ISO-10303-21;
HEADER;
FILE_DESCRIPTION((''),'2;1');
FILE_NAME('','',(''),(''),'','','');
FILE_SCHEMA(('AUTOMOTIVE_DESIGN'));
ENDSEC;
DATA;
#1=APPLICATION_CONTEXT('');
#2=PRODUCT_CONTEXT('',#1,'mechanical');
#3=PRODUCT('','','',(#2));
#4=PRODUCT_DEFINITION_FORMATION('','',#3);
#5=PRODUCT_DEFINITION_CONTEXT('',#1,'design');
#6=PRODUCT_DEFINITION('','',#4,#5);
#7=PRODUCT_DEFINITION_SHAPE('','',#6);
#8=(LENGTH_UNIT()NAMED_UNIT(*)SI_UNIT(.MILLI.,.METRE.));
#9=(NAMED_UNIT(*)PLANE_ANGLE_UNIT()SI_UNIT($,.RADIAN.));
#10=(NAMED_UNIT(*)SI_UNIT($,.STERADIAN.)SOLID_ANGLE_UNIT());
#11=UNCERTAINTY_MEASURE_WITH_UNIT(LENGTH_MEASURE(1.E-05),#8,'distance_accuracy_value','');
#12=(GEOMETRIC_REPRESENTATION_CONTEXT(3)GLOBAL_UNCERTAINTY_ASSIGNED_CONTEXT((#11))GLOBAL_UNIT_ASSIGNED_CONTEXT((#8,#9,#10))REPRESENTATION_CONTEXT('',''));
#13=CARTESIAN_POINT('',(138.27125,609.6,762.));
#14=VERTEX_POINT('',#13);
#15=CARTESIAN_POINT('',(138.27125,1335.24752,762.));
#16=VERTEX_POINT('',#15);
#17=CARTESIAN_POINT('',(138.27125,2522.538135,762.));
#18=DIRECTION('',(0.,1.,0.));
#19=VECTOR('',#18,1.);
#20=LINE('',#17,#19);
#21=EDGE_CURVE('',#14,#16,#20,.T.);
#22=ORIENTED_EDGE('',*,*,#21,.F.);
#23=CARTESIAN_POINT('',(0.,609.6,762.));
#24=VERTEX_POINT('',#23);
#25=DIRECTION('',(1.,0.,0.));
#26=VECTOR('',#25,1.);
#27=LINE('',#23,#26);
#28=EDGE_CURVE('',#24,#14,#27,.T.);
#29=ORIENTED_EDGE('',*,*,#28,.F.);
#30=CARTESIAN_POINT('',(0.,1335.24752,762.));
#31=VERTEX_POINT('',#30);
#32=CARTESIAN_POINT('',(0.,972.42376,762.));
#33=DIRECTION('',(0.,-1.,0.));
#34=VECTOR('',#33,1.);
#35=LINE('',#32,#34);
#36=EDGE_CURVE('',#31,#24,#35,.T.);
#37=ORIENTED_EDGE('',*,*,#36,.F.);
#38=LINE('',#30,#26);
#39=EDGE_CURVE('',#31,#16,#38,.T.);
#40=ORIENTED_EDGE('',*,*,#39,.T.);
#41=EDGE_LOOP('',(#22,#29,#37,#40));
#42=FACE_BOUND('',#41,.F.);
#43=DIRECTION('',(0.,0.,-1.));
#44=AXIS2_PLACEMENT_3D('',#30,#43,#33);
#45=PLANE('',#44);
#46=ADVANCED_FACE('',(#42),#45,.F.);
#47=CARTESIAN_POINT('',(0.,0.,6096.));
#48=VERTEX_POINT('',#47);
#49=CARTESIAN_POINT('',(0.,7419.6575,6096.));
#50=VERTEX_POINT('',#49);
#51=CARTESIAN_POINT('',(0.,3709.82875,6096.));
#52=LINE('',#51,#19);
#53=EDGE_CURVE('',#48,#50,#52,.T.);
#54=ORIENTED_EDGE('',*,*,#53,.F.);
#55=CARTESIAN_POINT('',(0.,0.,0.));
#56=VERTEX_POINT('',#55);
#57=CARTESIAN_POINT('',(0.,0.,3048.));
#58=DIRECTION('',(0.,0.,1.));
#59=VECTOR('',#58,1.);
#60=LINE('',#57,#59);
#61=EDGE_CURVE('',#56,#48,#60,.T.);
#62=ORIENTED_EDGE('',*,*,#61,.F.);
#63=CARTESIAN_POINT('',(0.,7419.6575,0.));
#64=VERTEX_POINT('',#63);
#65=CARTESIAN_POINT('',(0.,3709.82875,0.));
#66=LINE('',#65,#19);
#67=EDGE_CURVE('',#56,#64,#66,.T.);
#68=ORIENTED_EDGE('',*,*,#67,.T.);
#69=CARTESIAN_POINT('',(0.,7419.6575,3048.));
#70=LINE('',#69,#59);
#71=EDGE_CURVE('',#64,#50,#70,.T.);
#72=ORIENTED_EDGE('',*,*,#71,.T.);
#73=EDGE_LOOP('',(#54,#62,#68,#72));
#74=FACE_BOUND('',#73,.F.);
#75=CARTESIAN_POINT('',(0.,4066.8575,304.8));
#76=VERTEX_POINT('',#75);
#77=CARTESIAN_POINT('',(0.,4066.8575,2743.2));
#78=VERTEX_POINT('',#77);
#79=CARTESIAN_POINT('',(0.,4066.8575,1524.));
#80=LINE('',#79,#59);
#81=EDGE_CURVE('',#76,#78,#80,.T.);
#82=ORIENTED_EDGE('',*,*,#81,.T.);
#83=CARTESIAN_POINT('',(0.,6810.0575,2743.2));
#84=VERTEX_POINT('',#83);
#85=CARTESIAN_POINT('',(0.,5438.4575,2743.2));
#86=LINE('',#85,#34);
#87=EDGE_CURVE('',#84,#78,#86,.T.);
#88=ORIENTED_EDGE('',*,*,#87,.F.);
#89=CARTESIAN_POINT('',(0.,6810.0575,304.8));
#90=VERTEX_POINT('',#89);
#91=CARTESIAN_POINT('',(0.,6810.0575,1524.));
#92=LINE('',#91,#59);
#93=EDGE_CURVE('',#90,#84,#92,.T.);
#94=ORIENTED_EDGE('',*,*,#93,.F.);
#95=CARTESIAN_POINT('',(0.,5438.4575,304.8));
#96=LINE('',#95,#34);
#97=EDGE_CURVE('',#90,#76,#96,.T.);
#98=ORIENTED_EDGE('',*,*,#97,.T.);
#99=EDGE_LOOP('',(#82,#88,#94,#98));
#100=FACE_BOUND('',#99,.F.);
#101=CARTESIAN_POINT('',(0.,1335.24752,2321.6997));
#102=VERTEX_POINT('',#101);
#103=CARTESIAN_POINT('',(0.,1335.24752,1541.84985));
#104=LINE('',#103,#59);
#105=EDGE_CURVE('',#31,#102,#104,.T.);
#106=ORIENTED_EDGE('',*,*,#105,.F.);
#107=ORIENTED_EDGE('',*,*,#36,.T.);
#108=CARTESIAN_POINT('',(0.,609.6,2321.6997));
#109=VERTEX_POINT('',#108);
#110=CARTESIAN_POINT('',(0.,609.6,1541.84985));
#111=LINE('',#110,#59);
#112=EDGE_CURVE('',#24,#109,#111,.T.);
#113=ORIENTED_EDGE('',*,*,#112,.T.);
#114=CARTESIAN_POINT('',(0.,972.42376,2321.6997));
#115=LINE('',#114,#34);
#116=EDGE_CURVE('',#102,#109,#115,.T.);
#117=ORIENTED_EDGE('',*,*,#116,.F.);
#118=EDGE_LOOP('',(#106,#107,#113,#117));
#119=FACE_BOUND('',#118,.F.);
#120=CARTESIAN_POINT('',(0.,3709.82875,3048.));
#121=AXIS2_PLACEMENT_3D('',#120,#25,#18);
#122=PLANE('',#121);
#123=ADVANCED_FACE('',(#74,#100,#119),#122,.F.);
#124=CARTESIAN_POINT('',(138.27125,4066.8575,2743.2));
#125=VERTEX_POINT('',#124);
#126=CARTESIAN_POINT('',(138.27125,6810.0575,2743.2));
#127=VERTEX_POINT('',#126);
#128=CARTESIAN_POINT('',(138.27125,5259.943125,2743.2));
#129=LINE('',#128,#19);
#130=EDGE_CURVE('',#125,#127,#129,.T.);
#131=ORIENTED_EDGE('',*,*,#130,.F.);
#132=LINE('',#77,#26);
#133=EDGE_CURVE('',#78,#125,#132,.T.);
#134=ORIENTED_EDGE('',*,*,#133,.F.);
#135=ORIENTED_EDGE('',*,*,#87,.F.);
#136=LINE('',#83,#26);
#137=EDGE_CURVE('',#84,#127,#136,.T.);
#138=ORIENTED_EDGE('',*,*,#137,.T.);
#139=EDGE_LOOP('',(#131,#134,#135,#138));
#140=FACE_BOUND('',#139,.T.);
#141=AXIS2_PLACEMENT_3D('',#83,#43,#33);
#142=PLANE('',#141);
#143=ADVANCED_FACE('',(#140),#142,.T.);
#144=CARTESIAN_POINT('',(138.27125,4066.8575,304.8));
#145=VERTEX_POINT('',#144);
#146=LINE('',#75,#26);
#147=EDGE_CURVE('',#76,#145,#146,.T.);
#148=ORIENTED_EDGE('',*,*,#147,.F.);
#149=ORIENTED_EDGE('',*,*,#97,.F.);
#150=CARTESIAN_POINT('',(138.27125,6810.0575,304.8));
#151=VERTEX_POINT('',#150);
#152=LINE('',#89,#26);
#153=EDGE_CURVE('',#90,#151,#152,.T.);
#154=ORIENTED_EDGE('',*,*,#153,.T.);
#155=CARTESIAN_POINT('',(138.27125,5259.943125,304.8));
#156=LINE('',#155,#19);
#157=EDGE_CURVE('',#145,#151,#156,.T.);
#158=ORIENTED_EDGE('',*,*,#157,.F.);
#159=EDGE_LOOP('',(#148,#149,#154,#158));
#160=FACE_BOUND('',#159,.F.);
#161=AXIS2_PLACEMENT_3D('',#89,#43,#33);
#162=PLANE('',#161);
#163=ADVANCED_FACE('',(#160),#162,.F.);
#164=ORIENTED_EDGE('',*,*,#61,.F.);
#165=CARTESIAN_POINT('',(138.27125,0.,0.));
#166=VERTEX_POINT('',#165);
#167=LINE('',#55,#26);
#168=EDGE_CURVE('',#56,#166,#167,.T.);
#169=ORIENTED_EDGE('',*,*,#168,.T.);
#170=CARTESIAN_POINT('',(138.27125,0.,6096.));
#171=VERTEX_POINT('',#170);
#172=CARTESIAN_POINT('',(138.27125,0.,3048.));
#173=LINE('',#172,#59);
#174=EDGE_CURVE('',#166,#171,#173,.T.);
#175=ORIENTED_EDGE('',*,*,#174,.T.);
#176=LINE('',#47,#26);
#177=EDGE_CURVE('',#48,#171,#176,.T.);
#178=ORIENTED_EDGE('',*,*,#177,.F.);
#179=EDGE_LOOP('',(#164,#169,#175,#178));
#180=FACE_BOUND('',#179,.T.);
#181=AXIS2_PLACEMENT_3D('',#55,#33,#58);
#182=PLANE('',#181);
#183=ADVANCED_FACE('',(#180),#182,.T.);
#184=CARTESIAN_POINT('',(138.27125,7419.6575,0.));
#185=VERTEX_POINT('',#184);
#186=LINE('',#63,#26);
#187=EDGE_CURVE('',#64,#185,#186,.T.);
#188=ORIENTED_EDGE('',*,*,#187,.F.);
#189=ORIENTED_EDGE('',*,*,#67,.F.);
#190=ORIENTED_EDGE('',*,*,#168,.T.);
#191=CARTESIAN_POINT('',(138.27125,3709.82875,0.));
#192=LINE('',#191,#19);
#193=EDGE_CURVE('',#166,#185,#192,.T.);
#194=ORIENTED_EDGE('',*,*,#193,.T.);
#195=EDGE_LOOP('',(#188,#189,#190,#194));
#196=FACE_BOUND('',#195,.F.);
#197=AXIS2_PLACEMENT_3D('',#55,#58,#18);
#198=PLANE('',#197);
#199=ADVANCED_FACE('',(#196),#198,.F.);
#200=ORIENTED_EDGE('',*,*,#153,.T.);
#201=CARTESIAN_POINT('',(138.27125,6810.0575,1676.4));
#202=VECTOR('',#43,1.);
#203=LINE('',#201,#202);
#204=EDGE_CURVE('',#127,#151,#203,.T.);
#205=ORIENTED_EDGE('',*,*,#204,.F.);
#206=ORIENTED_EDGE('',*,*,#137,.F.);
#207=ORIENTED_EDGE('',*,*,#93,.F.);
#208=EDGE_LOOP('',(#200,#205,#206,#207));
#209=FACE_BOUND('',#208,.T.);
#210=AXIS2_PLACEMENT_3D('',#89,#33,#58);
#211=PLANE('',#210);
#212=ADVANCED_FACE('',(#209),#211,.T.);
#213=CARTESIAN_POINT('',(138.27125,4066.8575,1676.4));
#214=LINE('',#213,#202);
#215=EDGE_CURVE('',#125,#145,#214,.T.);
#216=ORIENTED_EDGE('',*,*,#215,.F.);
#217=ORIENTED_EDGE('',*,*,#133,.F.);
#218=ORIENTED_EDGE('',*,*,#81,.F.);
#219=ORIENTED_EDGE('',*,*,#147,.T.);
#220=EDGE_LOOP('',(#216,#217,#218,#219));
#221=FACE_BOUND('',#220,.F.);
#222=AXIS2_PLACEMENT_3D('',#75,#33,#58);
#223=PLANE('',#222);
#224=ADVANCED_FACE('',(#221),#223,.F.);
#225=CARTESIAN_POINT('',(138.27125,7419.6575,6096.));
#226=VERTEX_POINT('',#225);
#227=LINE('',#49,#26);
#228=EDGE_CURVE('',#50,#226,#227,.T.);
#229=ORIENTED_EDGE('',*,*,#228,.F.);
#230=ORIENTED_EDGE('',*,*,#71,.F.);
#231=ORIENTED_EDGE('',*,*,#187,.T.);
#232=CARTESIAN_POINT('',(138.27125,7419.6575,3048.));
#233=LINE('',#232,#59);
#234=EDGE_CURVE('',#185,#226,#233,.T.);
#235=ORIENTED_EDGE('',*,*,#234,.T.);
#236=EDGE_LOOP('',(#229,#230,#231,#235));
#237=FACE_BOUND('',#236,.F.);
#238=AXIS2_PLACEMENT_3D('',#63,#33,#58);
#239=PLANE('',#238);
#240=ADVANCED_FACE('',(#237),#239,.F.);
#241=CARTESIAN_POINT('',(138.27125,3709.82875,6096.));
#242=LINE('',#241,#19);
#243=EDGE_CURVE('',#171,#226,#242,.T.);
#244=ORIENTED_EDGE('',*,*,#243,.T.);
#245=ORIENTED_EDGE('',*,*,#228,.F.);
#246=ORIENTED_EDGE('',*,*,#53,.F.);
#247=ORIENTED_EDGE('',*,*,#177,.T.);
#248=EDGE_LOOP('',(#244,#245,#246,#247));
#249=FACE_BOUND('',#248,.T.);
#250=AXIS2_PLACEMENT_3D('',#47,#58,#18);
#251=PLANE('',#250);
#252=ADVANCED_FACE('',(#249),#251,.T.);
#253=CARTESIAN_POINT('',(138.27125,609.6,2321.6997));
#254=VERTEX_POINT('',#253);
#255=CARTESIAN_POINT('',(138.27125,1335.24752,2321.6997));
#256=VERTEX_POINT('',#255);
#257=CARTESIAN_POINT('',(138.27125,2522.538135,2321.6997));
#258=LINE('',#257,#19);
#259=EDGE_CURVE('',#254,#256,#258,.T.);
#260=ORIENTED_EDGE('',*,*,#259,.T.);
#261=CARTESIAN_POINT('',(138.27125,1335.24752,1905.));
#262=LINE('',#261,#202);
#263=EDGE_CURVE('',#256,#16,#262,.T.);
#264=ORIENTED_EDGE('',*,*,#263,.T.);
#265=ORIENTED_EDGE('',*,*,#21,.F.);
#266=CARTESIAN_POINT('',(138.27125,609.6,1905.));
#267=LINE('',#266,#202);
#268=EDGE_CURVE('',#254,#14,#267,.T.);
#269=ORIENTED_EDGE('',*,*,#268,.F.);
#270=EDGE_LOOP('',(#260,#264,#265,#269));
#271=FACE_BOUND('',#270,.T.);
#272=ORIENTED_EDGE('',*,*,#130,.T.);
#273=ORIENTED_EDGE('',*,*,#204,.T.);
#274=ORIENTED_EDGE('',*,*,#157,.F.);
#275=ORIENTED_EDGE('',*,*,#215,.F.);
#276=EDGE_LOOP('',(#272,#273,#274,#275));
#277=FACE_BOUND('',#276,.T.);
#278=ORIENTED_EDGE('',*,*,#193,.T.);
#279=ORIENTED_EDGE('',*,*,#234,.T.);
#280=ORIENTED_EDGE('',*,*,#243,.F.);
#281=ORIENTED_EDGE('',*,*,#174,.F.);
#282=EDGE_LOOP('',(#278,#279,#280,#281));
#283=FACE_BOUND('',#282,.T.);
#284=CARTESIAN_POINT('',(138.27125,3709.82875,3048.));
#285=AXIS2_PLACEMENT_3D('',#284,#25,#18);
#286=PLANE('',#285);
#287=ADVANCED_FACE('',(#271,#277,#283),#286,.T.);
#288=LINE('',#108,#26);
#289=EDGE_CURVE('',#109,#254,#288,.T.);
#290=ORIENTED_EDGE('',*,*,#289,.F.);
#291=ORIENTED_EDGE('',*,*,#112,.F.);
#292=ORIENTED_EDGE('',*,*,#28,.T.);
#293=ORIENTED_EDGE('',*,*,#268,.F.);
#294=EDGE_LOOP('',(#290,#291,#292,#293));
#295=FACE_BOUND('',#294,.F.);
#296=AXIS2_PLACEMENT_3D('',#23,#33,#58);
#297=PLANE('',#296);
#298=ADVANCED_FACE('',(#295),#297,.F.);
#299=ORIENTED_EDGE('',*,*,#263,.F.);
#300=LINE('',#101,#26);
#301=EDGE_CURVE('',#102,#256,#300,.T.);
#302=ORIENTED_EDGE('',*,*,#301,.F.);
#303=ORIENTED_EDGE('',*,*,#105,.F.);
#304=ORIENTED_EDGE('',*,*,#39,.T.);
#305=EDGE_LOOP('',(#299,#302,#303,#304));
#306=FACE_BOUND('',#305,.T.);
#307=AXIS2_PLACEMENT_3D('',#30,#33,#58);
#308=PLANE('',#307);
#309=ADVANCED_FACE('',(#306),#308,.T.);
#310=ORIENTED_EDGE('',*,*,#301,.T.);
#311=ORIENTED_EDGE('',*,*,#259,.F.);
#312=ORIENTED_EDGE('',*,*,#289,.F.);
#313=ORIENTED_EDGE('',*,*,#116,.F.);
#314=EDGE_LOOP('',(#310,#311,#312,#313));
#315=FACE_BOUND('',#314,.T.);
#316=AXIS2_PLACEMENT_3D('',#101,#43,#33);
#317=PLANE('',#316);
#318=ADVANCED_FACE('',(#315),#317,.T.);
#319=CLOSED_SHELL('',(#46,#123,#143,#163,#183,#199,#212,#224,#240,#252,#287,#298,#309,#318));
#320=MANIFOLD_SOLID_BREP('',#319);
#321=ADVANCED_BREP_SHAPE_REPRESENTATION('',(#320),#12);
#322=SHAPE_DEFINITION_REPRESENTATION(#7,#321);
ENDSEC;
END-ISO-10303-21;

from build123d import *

# Parameters (mm, degrees)
F0_W     = 7419.6575
F0_H     = 6096
F1_DEPTH = 138.27125
F4_W     = 2743.2
F4_H     = 2438.4
F4_W_2   = 725.64752
F4_H_2   = 1559.6997
F5_DEPTH = 138.27225


with BuildPart() as f1:
    # F0 (on Right) → F1 (new body)
    with BuildSketch(Plane.YZ):
        with Locations((3709.82875, 3048)):
            Rectangle(F0_W, F0_H)
    extrude(amount=F1_DEPTH)

    # F4 (on face) → F5 (cut, through all)
    with BuildSketch(Plane(origin=(0, 0, 0), x_dir=(0, -1, 0), z_dir=(-1, 0, 0))):
        with Locations((-5438.4575, 1524)):
            Rectangle(F4_W, F4_H)
        with Locations((-972.42376, 1541.84985)):
            Rectangle(F4_W_2, F4_H_2)
    extrude(amount=-F5_DEPTH, mode=Mode.SUBTRACT)


solid = f1.part
